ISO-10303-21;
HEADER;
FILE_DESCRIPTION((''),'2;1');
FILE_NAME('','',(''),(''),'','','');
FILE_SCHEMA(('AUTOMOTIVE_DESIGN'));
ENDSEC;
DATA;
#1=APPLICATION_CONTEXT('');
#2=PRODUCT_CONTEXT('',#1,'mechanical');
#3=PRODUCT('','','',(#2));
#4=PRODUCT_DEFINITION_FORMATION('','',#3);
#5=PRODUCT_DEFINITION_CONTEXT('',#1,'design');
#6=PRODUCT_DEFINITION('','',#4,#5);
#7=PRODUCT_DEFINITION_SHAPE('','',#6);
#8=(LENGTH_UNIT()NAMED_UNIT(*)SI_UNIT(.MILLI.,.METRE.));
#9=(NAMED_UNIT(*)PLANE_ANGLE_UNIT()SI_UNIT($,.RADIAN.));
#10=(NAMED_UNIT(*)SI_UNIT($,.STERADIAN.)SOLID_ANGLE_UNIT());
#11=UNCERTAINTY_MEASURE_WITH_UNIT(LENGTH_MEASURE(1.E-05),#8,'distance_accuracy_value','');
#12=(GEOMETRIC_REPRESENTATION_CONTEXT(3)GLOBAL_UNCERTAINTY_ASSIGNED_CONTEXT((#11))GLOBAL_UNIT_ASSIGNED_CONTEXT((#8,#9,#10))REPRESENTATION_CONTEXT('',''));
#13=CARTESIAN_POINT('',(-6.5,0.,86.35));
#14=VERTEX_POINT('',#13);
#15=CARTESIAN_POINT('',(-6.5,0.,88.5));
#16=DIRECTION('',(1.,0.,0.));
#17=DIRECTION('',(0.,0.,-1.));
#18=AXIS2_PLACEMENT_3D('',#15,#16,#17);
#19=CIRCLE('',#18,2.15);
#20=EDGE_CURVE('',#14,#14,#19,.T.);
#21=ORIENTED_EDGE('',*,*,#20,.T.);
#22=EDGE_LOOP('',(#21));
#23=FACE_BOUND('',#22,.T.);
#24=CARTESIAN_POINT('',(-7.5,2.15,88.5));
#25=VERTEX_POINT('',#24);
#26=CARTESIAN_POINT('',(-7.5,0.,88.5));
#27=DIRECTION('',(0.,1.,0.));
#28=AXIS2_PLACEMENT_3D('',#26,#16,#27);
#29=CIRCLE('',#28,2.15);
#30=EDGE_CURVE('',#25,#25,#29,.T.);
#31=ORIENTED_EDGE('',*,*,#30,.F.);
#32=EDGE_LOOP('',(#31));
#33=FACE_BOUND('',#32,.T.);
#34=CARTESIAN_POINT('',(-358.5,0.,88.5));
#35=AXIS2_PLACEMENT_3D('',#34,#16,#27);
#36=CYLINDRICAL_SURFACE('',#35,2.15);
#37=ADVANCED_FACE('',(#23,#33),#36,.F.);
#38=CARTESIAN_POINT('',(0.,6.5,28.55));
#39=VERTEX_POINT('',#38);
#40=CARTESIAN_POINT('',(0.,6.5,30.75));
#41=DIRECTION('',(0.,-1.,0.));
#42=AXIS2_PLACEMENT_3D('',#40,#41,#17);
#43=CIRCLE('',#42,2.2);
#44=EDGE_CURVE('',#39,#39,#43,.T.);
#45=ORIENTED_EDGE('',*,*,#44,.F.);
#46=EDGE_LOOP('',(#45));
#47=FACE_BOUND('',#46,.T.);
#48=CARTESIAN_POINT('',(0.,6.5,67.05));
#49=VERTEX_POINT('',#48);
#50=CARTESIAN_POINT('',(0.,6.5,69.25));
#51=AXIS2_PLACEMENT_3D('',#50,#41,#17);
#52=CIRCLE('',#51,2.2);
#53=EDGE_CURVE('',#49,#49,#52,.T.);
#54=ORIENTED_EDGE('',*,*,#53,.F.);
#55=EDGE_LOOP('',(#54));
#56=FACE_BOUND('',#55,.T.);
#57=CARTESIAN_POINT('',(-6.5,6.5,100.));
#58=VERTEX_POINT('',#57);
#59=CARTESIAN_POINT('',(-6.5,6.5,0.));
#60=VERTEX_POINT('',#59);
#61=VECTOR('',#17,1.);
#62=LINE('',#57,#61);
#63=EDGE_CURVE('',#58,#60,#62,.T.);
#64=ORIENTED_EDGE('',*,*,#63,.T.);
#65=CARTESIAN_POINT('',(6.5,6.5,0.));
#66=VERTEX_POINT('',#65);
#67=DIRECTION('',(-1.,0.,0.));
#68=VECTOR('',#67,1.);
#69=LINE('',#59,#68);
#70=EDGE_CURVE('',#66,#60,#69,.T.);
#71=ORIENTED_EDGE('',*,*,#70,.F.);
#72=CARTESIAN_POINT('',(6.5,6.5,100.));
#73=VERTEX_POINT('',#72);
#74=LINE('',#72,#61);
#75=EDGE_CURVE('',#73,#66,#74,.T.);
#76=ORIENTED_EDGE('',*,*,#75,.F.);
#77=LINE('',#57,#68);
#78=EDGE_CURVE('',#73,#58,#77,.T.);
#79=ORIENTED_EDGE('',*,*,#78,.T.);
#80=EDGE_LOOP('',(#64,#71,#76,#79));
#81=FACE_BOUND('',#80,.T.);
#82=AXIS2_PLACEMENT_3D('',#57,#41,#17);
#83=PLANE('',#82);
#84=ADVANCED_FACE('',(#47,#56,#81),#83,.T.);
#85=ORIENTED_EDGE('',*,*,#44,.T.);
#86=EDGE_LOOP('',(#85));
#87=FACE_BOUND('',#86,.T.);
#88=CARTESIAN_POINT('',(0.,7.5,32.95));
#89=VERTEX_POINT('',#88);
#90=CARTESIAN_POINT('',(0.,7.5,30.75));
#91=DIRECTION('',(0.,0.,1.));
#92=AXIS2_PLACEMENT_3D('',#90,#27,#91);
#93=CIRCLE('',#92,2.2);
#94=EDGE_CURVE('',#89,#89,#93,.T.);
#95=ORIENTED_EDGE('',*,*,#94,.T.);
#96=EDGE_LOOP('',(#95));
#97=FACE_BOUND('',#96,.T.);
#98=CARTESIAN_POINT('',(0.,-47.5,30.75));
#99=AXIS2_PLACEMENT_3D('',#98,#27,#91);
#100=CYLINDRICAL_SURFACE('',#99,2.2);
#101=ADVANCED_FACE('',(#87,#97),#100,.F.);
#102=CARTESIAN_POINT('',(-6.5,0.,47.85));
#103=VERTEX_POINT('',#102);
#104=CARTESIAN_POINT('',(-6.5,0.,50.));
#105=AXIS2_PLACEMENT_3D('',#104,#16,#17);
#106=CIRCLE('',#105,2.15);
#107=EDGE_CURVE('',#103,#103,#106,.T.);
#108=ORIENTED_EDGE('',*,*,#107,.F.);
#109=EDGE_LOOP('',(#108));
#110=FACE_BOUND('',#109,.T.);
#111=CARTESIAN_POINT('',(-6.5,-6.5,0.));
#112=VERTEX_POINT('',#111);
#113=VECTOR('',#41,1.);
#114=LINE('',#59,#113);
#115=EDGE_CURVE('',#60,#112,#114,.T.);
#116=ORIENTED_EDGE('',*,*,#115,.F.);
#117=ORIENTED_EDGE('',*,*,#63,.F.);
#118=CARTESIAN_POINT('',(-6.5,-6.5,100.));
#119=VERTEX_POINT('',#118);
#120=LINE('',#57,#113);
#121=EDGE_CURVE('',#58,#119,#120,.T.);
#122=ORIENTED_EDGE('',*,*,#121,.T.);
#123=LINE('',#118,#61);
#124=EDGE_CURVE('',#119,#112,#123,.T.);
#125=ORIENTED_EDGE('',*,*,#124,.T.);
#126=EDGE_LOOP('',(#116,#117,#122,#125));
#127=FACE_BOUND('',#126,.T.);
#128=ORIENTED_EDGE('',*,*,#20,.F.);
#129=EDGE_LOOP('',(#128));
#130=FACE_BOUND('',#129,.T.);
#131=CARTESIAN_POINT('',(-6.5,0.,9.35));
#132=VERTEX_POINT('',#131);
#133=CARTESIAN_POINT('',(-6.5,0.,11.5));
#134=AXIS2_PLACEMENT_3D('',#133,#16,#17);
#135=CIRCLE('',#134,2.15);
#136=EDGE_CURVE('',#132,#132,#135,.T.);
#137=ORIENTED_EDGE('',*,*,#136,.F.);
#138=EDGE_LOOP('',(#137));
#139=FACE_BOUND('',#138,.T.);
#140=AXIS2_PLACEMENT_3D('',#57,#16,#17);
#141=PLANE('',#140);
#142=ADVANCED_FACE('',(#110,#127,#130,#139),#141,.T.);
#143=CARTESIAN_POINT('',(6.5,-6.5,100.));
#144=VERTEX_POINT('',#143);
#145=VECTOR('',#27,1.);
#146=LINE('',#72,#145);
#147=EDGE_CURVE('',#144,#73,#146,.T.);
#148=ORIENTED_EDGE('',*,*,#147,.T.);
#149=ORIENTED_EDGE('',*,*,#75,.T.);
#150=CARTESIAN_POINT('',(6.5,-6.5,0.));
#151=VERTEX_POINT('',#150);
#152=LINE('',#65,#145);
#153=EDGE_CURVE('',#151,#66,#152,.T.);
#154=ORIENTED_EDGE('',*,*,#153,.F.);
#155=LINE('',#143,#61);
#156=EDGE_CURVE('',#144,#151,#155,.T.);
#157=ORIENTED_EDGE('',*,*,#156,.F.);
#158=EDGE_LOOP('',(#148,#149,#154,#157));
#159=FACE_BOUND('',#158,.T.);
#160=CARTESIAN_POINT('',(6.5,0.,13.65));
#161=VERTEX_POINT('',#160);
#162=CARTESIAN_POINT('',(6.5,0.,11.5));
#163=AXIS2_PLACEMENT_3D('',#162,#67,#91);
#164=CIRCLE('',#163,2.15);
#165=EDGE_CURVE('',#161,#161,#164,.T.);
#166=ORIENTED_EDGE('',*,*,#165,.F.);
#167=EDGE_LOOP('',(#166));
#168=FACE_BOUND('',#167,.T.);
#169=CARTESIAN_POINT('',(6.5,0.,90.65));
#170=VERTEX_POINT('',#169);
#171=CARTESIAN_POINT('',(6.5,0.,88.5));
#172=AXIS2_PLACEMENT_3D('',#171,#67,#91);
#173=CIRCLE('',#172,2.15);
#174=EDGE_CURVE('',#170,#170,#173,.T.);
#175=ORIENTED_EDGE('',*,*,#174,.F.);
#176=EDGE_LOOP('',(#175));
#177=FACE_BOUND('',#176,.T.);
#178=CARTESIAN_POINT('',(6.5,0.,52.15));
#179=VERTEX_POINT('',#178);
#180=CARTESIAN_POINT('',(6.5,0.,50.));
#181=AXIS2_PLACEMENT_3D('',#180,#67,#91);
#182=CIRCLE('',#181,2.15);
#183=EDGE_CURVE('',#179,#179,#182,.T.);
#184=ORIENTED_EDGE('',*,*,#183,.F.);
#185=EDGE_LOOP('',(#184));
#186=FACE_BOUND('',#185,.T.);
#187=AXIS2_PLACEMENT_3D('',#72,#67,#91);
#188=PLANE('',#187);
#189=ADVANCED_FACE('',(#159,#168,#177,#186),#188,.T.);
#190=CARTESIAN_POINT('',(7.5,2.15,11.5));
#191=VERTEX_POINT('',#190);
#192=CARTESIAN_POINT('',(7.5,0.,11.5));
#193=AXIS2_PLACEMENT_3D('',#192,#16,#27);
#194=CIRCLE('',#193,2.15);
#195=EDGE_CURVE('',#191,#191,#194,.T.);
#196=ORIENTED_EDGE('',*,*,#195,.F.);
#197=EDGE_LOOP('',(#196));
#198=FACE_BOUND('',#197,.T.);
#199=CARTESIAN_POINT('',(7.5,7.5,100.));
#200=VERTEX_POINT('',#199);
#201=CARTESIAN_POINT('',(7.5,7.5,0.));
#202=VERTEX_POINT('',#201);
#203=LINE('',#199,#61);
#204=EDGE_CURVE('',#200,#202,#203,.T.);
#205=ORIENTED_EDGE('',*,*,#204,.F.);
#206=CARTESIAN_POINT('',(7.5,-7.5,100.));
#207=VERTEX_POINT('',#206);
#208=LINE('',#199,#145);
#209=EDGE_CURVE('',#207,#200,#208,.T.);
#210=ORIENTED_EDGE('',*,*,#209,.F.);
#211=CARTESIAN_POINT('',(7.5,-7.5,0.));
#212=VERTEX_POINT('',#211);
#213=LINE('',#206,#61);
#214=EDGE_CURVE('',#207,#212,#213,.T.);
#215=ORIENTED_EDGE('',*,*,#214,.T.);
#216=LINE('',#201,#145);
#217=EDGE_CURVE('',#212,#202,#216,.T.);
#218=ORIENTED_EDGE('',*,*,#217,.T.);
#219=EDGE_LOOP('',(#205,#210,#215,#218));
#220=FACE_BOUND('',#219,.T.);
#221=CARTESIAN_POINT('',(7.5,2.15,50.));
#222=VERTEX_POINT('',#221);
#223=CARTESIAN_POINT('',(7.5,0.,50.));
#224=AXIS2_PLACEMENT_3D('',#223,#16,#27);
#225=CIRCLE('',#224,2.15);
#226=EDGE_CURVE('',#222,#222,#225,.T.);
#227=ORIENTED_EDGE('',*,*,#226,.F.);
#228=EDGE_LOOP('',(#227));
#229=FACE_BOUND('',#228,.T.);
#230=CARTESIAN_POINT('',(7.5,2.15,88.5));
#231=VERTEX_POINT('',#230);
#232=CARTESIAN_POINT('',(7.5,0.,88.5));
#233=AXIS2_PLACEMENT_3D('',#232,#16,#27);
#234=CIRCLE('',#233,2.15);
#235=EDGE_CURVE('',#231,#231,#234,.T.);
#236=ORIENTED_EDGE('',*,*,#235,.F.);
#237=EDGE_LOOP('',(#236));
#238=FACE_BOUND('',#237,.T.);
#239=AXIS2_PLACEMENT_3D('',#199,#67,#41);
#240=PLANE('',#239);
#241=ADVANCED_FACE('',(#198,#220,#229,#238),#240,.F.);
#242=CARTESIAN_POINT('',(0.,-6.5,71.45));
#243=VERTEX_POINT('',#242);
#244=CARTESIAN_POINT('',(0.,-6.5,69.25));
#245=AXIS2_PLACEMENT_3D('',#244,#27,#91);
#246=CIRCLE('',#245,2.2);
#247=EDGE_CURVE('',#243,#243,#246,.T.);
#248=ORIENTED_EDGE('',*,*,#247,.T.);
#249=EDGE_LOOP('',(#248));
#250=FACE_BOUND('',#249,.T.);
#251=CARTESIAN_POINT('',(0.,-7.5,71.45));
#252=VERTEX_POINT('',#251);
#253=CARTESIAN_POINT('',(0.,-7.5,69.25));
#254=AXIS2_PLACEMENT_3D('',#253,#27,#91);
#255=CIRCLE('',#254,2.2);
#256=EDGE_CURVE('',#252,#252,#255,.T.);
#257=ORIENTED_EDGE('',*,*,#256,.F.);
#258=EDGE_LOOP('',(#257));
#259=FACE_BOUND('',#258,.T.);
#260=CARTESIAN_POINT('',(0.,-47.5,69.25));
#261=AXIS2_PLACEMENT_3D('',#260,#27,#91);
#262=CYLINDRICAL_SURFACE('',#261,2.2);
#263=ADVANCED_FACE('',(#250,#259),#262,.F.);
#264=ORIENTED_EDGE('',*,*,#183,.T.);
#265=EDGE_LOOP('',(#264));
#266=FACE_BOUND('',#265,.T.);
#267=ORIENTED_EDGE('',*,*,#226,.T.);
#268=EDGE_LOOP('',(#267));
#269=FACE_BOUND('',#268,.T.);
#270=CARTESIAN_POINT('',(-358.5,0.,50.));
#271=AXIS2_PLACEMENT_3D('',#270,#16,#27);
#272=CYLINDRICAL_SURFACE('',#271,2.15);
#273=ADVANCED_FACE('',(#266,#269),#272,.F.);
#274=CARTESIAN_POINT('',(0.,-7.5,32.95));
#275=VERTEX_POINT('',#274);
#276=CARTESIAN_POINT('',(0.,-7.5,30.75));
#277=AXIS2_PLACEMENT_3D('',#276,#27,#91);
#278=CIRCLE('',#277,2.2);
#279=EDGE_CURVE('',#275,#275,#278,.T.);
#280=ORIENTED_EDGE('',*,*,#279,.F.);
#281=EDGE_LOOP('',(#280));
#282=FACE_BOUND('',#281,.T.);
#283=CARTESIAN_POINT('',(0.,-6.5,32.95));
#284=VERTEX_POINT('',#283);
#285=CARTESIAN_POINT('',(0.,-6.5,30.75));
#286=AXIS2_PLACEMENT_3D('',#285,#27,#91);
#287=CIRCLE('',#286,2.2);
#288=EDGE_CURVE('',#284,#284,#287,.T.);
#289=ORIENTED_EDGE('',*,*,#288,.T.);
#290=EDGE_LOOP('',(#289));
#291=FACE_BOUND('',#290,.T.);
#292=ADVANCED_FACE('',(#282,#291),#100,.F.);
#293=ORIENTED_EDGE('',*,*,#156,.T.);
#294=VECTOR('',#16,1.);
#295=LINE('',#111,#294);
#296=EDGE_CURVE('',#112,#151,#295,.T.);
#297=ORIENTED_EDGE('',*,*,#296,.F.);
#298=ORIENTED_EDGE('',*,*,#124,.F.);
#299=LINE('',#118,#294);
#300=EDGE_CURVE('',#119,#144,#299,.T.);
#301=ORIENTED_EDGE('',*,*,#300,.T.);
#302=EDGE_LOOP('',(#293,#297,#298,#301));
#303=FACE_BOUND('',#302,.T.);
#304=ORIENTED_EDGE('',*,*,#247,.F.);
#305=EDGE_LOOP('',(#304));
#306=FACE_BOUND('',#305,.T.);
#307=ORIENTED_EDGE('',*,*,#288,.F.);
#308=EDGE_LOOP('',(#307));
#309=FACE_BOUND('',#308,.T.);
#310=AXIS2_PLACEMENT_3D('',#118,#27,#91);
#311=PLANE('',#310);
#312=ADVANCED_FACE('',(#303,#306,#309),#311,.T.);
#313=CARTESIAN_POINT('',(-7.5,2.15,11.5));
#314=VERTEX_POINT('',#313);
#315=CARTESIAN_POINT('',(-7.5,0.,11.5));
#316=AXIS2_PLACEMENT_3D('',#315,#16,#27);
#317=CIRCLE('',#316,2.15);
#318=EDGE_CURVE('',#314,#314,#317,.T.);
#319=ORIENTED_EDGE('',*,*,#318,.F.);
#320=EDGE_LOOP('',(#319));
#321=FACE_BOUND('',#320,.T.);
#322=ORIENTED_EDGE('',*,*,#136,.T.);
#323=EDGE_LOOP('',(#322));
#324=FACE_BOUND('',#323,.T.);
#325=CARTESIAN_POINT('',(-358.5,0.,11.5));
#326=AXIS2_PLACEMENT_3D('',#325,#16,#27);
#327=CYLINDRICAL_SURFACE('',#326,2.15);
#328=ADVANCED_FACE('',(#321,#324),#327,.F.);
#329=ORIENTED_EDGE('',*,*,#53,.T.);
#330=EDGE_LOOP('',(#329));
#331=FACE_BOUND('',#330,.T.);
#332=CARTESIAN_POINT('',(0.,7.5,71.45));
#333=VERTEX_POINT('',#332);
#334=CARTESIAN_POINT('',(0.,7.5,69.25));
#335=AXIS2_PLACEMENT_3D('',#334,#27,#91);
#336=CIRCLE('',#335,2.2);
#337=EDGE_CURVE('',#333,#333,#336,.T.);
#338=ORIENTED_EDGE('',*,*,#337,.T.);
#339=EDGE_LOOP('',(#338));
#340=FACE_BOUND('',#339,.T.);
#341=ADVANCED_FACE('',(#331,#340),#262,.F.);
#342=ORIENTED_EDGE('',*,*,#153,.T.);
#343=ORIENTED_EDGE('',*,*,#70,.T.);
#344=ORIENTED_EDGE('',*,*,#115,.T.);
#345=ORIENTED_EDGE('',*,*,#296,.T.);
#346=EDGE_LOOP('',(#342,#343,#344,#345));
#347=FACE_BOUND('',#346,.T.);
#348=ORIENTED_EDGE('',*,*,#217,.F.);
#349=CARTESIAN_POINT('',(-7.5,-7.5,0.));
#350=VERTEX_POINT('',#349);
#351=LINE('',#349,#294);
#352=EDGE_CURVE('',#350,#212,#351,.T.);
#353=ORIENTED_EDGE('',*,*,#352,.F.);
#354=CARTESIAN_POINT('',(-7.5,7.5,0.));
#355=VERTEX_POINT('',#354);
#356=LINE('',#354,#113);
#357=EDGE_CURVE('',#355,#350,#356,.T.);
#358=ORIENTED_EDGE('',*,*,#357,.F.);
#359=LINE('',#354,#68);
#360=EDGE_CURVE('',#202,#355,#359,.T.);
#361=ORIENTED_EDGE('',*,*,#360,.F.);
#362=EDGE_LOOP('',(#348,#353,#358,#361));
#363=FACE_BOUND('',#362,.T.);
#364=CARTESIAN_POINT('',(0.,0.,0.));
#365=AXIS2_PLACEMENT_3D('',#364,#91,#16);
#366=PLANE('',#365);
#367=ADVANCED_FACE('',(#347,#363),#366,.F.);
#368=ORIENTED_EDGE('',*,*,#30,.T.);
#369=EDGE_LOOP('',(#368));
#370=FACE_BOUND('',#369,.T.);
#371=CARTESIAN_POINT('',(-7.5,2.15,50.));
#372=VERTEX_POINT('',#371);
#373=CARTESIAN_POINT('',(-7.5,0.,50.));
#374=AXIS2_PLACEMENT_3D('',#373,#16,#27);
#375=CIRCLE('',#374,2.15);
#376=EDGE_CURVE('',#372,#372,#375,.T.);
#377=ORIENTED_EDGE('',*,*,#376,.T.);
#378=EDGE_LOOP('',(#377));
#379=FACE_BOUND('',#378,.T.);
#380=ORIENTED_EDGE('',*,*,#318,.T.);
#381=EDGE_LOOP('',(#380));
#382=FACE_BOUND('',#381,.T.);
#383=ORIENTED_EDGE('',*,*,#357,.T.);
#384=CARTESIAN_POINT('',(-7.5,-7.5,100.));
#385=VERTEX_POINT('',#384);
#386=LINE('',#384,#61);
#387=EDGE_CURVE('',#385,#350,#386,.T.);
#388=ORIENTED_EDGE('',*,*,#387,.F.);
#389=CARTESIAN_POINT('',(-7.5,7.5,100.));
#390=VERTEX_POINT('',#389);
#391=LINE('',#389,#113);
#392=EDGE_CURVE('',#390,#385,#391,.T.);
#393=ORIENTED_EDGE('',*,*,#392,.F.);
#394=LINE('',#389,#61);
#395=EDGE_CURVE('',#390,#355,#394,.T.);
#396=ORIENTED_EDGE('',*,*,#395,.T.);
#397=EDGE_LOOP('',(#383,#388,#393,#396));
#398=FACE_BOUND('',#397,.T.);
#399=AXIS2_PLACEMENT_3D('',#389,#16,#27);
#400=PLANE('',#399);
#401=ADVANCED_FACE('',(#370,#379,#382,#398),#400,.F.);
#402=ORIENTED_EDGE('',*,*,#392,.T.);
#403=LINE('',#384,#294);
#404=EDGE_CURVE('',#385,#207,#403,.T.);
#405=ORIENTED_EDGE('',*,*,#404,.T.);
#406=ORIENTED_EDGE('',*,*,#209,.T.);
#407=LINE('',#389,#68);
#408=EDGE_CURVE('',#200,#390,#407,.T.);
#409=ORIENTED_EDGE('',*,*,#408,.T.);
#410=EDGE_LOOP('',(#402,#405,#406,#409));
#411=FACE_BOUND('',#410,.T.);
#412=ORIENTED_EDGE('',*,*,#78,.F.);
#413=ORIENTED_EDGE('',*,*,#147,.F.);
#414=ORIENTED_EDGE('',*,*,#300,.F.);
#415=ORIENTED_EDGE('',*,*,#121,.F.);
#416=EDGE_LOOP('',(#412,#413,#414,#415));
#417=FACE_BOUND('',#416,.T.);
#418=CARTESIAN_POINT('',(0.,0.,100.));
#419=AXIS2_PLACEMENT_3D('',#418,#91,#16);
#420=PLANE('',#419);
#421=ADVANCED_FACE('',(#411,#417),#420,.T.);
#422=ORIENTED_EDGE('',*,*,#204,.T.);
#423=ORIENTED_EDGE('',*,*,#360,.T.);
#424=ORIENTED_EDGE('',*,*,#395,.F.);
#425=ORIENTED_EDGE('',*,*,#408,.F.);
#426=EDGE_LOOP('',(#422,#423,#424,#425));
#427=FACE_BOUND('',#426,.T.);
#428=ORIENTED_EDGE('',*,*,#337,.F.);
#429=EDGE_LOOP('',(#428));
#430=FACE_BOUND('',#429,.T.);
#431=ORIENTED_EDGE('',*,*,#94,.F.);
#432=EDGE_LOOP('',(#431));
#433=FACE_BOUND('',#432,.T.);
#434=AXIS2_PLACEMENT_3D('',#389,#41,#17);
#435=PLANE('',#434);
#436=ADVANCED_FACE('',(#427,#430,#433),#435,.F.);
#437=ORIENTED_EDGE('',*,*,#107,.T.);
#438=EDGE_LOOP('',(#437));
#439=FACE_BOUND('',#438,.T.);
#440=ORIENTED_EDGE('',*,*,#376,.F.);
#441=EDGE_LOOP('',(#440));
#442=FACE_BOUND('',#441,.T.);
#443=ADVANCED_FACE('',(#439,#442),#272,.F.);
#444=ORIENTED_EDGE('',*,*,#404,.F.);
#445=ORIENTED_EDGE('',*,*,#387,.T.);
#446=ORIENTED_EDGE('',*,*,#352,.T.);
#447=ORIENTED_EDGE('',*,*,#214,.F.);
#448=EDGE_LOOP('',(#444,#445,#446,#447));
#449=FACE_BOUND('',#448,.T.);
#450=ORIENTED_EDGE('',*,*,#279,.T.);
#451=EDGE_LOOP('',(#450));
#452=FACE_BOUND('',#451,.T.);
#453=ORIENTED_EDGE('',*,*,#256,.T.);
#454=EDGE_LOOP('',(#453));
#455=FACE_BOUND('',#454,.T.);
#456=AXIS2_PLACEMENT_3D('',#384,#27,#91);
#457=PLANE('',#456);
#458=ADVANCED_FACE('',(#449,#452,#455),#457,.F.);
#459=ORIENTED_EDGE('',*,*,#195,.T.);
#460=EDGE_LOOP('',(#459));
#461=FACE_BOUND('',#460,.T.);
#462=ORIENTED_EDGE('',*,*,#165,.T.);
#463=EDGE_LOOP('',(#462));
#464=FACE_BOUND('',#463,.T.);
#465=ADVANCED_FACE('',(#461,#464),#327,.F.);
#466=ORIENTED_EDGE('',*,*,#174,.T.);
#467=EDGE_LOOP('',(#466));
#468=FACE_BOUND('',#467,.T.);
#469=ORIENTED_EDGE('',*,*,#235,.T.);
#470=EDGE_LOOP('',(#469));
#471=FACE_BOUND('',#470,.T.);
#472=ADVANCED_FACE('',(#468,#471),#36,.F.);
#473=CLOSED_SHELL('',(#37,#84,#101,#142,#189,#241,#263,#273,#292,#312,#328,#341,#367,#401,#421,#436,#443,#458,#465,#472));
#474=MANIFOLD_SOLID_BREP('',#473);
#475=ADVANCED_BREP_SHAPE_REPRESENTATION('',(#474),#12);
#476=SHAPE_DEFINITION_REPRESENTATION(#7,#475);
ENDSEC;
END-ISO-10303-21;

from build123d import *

# Parameters (mm, degrees)
SKETCH_1_W          = 15
SKETCH_1_H          = 15
SKETCH_1_W_2        = 13
SKETCH_1_H_2        = 13
EXTRUDE_1_DEPTH     = 100
SKETCH_2_R          = 2.15
CUT_EXTRUDE_1_DEPTH = 366
SKETCH_3_R          = 2.2
CUT_EXTRUDE_2_DEPTH = 55


with BuildPart() as part:
    # 草图1 → 凸台-拉伸1 (new body)
    with BuildSketch(Plane.XY):
        Rectangle(SKETCH_1_W, SKETCH_1_H)
        Rectangle(SKETCH_1_W_2, SKETCH_1_H_2, mode=Mode.SUBTRACT)
    extrude(amount=EXTRUDE_1_DEPTH)

    # 草图2 → 切除-拉伸1 (cut)
    with BuildSketch(Plane(origin=(7.5, 0, 0), x_dir=(0, 0, -1), z_dir=(1, 0, 0))):
        with Locations(Location((-50, 0, 0), (0, 0, 90))):
            Circle(SKETCH_2_R)
        with Locations(Location((-88.5, 0, 0), (0, 0, 90))):
            Circle(SKETCH_2_R)
        with Locations(Location((-11.5, 0, 0), (0, 0, 90))):
            Circle(SKETCH_2_R)
    extrude(amount=-CUT_EXTRUDE_1_DEPTH, mode=Mode.SUBTRACT)

    # 草图3 → 切除-拉伸2 (cut)
    with BuildSketch(Plane(origin=(0, 7.5, 0), x_dir=(1, 0, 0), z_dir=(0, 1, 0))):
        with Locations(Location((0, -30.75, 0), (0, 0, 270))):
            Circle(SKETCH_3_R)
        with Locations(Location((0, -69.25, 0), (0, 0, 270))):
            Circle(SKETCH_3_R)
    extrude(amount=-CUT_EXTRUDE_2_DEPTH, mode=Mode.SUBTRACT)


solid = part.part
